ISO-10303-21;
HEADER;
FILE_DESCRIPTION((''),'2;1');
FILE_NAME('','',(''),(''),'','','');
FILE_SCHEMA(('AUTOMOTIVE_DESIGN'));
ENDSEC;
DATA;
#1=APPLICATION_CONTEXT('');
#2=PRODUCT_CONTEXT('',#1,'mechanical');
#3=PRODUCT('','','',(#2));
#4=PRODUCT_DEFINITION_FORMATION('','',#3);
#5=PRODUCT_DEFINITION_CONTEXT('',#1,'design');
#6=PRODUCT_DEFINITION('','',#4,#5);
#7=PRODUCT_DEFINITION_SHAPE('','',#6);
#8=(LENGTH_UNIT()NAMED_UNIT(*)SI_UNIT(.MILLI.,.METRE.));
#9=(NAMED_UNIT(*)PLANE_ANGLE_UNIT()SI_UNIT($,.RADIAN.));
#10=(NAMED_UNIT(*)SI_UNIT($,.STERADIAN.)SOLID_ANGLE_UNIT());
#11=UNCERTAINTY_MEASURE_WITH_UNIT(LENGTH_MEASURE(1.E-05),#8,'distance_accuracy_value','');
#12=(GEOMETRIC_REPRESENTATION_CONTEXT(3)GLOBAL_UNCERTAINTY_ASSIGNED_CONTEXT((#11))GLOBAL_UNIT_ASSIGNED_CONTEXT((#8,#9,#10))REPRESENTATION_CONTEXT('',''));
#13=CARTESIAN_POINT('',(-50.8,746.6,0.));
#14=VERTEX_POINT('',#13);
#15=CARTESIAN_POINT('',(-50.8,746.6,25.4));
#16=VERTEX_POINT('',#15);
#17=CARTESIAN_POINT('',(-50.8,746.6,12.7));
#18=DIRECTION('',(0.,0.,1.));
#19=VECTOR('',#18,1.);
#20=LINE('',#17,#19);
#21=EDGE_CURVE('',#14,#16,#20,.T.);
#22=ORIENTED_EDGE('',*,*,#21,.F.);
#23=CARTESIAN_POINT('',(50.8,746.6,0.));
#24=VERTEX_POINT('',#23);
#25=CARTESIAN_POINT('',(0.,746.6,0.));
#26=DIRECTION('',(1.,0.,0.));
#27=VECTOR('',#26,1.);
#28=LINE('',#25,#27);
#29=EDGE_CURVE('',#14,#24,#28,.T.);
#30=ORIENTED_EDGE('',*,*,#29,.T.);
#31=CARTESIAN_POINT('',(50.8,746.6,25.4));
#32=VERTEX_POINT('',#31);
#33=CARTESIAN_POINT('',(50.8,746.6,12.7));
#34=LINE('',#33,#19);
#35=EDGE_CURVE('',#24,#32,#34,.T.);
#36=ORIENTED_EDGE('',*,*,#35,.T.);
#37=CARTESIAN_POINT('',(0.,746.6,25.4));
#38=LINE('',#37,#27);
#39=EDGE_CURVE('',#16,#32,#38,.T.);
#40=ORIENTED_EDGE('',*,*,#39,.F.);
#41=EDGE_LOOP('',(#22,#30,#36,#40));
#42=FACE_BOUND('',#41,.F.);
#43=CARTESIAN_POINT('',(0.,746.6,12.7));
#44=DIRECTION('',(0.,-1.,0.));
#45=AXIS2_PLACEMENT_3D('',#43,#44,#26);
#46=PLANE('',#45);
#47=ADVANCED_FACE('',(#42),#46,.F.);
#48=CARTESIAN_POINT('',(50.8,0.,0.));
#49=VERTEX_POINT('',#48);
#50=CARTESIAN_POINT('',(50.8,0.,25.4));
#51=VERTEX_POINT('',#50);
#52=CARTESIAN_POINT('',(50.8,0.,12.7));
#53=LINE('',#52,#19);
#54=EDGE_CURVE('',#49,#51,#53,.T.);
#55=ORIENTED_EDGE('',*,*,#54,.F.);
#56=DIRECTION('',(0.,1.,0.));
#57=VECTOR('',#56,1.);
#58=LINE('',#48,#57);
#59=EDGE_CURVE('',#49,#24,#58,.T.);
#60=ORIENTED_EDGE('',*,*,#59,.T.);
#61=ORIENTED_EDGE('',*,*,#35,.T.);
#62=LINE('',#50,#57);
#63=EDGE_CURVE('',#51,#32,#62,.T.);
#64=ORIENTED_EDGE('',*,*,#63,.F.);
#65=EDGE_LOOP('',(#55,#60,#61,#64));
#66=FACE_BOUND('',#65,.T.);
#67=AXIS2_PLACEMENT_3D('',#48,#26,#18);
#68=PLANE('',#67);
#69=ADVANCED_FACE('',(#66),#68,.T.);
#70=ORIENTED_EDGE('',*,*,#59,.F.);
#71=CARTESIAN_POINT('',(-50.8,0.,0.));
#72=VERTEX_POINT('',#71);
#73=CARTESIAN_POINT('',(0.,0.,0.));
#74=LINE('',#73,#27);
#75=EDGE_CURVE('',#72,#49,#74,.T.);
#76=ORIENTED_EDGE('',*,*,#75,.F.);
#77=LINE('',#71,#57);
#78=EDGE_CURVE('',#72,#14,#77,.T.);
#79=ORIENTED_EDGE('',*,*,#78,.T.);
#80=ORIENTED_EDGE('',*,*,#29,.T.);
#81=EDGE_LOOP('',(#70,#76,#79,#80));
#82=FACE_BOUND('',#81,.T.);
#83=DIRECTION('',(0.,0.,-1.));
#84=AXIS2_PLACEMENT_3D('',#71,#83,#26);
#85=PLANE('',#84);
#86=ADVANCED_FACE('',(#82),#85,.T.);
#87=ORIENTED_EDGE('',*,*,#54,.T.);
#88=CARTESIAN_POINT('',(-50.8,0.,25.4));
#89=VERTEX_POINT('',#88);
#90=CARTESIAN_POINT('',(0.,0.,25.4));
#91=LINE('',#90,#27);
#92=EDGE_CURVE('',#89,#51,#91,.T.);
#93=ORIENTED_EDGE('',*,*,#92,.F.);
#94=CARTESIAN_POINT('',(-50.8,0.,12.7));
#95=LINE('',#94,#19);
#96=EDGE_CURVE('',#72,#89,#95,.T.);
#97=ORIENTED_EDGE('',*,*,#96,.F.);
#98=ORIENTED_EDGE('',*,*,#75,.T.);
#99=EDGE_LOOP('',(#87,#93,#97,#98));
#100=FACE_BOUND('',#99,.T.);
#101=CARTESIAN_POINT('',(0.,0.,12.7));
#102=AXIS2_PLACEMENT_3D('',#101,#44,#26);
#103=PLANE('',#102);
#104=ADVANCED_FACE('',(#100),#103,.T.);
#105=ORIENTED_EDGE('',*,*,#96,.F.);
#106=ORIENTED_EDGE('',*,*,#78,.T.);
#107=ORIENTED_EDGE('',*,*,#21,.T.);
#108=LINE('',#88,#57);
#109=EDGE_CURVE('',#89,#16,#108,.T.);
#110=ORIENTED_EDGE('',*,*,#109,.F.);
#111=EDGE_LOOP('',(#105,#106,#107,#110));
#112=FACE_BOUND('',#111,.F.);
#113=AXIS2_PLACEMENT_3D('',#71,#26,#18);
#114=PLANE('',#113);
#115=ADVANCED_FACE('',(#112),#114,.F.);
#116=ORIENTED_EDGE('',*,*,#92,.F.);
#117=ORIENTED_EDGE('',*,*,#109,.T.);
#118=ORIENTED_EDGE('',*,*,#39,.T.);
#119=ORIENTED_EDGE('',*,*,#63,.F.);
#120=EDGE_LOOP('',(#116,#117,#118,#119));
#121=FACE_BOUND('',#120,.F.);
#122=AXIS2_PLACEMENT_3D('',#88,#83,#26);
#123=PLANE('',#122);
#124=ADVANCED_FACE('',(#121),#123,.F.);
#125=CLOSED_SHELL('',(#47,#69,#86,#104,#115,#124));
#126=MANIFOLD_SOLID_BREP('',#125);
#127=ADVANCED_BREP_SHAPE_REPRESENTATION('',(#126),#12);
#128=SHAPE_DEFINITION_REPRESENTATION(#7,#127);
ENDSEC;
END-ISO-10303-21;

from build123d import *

# Parameters (mm, degrees)
F0_W     = 101.6
F0_H     = 25.4
F1_DEPTH = 746.6


with BuildPart() as f1:
    # F0 (on Front) → F1 (new body)
    with BuildSketch(Plane.XZ):
        with Locations((0, 12.7)):
            Rectangle(F0_W, F0_H)
    extrude(amount=-F1_DEPTH)


solid = f1.part
